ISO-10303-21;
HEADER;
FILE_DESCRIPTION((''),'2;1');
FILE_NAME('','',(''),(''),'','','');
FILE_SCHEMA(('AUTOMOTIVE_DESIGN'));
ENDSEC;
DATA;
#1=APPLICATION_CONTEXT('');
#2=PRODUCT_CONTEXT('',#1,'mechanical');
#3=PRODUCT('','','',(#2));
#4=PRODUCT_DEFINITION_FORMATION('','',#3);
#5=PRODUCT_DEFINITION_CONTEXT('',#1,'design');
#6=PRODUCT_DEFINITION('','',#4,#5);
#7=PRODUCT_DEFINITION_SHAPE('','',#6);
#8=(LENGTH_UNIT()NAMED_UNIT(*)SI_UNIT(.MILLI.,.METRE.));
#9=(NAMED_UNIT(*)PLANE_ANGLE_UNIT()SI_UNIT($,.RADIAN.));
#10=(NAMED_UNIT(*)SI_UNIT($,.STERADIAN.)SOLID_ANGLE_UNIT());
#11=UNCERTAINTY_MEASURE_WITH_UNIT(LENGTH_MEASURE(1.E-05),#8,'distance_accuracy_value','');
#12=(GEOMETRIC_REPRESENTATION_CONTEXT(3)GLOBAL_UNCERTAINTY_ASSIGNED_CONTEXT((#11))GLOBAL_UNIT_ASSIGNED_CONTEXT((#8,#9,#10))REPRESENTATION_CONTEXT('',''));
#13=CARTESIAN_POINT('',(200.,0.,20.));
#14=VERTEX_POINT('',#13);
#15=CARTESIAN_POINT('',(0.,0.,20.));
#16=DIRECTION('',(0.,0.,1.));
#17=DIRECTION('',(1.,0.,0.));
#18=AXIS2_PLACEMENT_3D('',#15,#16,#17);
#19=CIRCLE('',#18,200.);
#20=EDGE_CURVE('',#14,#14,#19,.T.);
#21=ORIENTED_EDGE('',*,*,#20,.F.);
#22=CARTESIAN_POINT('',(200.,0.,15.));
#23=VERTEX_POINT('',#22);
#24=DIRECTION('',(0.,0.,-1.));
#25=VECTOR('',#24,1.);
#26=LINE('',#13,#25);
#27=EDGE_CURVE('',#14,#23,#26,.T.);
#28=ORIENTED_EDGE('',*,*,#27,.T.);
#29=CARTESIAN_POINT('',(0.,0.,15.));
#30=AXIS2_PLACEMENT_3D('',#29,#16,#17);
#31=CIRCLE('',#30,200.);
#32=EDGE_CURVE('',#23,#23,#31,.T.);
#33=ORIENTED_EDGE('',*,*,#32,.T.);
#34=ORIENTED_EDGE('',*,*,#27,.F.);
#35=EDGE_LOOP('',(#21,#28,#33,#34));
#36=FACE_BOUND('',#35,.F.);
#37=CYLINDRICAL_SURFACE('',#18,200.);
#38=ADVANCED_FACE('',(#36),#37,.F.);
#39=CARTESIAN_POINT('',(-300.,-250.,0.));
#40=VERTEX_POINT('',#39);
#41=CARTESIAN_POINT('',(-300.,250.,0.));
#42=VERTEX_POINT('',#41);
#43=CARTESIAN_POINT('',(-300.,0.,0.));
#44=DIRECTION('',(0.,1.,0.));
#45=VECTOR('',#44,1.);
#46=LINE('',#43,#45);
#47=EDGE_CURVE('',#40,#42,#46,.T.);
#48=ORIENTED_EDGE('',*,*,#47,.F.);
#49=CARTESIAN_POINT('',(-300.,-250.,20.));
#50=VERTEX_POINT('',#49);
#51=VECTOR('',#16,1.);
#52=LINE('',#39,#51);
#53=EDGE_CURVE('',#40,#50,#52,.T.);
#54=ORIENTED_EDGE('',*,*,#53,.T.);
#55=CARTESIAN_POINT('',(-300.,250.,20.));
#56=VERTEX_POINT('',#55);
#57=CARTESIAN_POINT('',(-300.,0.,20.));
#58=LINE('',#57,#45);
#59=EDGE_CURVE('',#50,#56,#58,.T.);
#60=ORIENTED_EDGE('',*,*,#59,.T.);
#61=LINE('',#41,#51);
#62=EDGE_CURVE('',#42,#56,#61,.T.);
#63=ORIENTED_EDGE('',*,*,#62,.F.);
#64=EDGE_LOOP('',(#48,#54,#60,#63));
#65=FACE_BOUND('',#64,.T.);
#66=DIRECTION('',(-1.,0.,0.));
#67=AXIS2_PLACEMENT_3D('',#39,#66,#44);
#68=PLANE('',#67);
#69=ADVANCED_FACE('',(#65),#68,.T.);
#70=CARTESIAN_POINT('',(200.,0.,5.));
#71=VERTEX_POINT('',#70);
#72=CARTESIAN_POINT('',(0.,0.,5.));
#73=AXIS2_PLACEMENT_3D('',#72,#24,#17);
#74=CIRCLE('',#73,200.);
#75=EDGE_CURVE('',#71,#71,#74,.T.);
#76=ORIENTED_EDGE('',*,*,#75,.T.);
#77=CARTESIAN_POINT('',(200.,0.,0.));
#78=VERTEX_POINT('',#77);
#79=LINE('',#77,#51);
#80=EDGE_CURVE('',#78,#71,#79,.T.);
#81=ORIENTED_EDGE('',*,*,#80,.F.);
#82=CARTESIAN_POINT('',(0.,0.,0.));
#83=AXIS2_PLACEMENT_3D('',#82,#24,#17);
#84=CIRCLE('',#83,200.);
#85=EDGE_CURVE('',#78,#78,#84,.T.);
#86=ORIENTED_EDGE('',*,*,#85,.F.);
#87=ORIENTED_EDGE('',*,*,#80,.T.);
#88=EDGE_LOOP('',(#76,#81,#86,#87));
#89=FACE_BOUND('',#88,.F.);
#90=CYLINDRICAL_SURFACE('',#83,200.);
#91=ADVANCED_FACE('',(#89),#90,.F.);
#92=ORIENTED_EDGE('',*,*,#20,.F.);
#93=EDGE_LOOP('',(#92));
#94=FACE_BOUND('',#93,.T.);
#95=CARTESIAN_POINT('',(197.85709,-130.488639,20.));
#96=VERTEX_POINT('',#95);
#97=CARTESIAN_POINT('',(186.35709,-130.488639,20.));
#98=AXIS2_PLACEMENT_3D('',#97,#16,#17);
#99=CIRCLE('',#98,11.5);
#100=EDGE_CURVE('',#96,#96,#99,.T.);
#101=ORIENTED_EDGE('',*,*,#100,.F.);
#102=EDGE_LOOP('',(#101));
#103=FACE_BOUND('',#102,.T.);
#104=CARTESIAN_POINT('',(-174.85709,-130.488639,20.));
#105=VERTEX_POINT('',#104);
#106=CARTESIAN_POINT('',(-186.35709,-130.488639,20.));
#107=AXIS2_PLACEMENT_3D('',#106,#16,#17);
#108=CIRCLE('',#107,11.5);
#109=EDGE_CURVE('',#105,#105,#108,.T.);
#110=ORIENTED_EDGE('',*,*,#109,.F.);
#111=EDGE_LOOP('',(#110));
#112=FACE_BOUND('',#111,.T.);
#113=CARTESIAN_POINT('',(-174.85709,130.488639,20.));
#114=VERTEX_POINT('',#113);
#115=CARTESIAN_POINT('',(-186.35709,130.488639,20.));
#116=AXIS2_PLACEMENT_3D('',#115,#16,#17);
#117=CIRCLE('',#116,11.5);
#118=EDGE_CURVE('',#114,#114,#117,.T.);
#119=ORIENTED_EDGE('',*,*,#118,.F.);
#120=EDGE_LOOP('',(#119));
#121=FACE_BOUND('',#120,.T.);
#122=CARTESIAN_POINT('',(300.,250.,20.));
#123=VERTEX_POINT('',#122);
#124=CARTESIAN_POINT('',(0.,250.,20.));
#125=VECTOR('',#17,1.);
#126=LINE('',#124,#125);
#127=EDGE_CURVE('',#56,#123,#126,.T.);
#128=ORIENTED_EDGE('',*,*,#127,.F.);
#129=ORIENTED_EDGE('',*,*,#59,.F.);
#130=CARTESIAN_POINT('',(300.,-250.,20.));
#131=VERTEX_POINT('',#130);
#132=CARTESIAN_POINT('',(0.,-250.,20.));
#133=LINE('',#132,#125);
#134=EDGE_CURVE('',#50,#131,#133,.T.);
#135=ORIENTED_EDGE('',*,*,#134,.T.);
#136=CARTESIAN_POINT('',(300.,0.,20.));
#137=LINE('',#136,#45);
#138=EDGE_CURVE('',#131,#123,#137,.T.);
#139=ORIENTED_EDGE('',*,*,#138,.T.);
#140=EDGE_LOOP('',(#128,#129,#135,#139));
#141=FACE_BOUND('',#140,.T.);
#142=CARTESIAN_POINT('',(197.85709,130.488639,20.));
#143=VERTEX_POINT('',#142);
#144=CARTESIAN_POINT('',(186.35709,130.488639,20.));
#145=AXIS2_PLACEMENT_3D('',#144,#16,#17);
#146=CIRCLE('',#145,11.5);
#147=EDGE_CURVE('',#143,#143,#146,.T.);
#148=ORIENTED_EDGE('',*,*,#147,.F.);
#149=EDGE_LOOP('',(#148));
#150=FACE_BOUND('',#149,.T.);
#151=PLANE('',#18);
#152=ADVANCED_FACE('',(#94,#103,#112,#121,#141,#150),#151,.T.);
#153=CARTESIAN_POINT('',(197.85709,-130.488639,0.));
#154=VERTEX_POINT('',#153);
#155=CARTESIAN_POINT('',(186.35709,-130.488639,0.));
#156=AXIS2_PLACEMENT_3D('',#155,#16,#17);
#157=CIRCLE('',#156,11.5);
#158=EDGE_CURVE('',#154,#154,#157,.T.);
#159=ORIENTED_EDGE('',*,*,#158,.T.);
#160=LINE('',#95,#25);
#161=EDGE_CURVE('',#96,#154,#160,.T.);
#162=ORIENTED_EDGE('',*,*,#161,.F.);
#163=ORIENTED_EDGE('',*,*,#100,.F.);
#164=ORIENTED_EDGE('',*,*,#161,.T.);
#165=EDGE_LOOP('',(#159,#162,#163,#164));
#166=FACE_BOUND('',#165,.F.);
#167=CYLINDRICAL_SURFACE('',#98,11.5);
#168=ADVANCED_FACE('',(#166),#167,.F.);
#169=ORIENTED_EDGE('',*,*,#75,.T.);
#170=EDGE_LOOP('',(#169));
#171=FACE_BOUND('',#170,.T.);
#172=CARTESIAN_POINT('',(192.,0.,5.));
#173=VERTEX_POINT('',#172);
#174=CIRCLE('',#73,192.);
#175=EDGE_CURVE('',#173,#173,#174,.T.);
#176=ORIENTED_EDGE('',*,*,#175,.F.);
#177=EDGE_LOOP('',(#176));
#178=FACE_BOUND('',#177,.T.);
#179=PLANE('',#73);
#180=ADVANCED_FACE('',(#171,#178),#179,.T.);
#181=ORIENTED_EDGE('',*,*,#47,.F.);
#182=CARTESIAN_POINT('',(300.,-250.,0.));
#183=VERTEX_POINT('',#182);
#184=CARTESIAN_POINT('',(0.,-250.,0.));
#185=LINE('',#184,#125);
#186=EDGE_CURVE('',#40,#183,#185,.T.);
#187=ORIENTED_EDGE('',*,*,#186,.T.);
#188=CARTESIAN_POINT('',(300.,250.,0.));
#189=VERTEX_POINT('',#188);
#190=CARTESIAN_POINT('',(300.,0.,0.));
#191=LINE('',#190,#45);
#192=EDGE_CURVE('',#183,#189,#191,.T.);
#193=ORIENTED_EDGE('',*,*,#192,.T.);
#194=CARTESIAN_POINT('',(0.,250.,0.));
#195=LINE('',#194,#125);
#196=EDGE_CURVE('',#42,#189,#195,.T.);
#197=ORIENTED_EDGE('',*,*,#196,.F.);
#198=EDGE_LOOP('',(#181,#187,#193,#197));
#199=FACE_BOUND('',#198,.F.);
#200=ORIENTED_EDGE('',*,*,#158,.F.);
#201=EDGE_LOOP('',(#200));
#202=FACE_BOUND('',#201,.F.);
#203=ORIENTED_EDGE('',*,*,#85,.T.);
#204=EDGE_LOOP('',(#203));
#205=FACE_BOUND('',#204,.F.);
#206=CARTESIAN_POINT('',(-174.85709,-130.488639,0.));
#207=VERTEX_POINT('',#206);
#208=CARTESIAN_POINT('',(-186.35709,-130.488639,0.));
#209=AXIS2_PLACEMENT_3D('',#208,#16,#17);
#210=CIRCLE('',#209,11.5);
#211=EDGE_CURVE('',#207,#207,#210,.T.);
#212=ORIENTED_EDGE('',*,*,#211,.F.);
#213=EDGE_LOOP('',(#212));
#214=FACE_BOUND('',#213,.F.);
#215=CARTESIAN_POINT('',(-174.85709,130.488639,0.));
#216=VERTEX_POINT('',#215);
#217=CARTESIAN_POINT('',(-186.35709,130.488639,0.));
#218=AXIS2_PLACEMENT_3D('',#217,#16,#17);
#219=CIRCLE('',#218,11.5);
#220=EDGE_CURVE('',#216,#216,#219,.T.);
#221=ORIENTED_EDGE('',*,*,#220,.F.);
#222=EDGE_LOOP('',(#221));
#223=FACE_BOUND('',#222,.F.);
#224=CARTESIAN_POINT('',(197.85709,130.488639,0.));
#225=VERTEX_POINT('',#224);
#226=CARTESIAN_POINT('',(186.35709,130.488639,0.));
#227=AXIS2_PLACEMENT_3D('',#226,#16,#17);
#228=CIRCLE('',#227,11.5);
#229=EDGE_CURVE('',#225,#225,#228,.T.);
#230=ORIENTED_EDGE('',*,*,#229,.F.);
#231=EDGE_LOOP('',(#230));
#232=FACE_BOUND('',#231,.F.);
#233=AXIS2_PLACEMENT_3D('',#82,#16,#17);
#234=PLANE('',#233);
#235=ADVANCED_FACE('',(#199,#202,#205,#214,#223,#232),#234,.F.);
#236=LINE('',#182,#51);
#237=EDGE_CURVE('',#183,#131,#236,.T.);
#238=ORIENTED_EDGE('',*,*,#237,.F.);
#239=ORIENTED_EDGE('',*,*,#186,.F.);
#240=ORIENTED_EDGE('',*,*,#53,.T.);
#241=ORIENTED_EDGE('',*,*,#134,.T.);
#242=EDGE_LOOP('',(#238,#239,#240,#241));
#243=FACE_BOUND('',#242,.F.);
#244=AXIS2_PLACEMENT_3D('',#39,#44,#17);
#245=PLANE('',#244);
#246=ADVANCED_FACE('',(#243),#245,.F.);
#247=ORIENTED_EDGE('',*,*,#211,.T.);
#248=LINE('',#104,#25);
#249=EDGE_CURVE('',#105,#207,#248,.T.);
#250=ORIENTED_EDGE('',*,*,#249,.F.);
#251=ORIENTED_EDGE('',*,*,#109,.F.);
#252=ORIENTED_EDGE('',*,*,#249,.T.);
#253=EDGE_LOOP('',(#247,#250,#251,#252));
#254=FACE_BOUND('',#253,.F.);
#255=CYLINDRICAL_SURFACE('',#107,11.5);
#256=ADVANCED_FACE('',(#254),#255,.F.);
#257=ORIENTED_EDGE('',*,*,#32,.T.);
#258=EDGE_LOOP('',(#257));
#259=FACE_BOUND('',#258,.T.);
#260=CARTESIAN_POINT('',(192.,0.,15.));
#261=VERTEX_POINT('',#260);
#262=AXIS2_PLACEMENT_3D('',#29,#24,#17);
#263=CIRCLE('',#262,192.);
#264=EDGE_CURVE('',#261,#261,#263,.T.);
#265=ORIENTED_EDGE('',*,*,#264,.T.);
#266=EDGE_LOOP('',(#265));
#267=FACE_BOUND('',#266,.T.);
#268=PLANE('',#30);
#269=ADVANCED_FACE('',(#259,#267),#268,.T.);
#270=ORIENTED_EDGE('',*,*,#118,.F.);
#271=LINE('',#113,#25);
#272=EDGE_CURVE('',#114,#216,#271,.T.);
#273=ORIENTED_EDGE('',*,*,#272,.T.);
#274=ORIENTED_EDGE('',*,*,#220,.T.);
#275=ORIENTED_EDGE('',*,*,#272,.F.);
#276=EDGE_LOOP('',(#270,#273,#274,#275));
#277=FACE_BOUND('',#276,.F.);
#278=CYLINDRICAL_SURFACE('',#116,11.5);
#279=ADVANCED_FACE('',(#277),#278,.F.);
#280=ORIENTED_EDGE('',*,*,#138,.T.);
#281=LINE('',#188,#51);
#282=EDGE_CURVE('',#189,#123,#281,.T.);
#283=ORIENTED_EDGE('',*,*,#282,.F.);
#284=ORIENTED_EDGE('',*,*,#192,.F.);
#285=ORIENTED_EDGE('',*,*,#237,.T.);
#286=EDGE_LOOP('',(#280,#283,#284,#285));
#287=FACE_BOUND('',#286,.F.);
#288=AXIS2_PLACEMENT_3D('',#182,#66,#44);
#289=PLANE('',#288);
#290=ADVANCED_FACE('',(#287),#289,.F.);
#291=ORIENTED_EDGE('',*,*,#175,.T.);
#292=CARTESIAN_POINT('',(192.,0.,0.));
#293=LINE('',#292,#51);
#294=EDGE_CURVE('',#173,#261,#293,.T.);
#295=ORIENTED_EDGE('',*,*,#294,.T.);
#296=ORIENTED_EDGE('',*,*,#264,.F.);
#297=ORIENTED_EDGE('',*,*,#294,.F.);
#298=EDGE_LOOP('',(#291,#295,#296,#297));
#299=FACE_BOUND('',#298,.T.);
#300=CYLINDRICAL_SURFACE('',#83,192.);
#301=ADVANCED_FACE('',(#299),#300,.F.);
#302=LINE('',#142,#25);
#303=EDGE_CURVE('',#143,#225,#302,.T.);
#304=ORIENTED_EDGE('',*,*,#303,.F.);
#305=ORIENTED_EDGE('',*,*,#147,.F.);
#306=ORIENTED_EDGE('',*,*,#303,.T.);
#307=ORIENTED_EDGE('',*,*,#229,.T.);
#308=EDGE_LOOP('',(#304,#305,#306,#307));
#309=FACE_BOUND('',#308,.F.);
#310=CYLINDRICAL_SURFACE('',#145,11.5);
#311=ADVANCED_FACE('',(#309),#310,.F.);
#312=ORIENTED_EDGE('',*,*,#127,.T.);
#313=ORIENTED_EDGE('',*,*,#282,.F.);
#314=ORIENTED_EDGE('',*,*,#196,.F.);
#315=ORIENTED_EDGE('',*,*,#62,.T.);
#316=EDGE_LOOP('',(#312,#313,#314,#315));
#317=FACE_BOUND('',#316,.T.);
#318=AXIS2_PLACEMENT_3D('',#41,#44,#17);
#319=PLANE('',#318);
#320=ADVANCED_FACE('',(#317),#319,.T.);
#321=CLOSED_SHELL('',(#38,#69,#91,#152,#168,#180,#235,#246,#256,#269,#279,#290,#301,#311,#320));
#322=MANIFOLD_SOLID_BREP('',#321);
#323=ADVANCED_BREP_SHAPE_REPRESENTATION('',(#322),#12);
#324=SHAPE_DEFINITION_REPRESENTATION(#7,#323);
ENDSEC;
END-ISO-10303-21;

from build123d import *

# Parameters (mm, degrees)
F0_W     = 600
F0_H     = 500
F0_R     = 192
F1_DEPTH = 20
F2_R     = 11.5
F3_DEPTH = 20
F4_R     = 200
F5_DEPTH = 5
F6_R     = 200
F7_DEPTH = 5


with BuildPart() as f1:
    # F0 (on Top) → F1 (new body)
    with BuildSketch(Plane.XY):
        Rectangle(F0_W, F0_H)
        Circle(F0_R, mode=Mode.SUBTRACT)
    extrude(amount=F1_DEPTH)

    # F2 (on face) → F3 (cut, through all)
    with BuildSketch(Plane.XY.offset(20)):
        with Locations((186.35709, 130.488639)):
            Circle(F2_R)
        with Locations((-186.35709, 130.488639)):
            Circle(F2_R)
        with Locations((-186.35709, -130.488639)):
            Circle(F2_R)
        with Locations((186.35709, -130.488639)):
            Circle(F2_R)
    extrude(amount=-F3_DEPTH, mode=Mode.SUBTRACT)

    # F4 (on face) → F5 (cut)
    with BuildSketch(Plane(origin=(0, 0, 0), x_dir=(1, 0, 0), z_dir=(0, 0, -1))):
        Circle(F4_R)
    extrude(amount=-F5_DEPTH, mode=Mode.SUBTRACT)

    # F6 (on face) → F7 (cut)
    with BuildSketch(Plane.XY.offset(20)):
        Circle(F6_R)
    extrude(amount=-F7_DEPTH, mode=Mode.SUBTRACT)


solid = f1.part
